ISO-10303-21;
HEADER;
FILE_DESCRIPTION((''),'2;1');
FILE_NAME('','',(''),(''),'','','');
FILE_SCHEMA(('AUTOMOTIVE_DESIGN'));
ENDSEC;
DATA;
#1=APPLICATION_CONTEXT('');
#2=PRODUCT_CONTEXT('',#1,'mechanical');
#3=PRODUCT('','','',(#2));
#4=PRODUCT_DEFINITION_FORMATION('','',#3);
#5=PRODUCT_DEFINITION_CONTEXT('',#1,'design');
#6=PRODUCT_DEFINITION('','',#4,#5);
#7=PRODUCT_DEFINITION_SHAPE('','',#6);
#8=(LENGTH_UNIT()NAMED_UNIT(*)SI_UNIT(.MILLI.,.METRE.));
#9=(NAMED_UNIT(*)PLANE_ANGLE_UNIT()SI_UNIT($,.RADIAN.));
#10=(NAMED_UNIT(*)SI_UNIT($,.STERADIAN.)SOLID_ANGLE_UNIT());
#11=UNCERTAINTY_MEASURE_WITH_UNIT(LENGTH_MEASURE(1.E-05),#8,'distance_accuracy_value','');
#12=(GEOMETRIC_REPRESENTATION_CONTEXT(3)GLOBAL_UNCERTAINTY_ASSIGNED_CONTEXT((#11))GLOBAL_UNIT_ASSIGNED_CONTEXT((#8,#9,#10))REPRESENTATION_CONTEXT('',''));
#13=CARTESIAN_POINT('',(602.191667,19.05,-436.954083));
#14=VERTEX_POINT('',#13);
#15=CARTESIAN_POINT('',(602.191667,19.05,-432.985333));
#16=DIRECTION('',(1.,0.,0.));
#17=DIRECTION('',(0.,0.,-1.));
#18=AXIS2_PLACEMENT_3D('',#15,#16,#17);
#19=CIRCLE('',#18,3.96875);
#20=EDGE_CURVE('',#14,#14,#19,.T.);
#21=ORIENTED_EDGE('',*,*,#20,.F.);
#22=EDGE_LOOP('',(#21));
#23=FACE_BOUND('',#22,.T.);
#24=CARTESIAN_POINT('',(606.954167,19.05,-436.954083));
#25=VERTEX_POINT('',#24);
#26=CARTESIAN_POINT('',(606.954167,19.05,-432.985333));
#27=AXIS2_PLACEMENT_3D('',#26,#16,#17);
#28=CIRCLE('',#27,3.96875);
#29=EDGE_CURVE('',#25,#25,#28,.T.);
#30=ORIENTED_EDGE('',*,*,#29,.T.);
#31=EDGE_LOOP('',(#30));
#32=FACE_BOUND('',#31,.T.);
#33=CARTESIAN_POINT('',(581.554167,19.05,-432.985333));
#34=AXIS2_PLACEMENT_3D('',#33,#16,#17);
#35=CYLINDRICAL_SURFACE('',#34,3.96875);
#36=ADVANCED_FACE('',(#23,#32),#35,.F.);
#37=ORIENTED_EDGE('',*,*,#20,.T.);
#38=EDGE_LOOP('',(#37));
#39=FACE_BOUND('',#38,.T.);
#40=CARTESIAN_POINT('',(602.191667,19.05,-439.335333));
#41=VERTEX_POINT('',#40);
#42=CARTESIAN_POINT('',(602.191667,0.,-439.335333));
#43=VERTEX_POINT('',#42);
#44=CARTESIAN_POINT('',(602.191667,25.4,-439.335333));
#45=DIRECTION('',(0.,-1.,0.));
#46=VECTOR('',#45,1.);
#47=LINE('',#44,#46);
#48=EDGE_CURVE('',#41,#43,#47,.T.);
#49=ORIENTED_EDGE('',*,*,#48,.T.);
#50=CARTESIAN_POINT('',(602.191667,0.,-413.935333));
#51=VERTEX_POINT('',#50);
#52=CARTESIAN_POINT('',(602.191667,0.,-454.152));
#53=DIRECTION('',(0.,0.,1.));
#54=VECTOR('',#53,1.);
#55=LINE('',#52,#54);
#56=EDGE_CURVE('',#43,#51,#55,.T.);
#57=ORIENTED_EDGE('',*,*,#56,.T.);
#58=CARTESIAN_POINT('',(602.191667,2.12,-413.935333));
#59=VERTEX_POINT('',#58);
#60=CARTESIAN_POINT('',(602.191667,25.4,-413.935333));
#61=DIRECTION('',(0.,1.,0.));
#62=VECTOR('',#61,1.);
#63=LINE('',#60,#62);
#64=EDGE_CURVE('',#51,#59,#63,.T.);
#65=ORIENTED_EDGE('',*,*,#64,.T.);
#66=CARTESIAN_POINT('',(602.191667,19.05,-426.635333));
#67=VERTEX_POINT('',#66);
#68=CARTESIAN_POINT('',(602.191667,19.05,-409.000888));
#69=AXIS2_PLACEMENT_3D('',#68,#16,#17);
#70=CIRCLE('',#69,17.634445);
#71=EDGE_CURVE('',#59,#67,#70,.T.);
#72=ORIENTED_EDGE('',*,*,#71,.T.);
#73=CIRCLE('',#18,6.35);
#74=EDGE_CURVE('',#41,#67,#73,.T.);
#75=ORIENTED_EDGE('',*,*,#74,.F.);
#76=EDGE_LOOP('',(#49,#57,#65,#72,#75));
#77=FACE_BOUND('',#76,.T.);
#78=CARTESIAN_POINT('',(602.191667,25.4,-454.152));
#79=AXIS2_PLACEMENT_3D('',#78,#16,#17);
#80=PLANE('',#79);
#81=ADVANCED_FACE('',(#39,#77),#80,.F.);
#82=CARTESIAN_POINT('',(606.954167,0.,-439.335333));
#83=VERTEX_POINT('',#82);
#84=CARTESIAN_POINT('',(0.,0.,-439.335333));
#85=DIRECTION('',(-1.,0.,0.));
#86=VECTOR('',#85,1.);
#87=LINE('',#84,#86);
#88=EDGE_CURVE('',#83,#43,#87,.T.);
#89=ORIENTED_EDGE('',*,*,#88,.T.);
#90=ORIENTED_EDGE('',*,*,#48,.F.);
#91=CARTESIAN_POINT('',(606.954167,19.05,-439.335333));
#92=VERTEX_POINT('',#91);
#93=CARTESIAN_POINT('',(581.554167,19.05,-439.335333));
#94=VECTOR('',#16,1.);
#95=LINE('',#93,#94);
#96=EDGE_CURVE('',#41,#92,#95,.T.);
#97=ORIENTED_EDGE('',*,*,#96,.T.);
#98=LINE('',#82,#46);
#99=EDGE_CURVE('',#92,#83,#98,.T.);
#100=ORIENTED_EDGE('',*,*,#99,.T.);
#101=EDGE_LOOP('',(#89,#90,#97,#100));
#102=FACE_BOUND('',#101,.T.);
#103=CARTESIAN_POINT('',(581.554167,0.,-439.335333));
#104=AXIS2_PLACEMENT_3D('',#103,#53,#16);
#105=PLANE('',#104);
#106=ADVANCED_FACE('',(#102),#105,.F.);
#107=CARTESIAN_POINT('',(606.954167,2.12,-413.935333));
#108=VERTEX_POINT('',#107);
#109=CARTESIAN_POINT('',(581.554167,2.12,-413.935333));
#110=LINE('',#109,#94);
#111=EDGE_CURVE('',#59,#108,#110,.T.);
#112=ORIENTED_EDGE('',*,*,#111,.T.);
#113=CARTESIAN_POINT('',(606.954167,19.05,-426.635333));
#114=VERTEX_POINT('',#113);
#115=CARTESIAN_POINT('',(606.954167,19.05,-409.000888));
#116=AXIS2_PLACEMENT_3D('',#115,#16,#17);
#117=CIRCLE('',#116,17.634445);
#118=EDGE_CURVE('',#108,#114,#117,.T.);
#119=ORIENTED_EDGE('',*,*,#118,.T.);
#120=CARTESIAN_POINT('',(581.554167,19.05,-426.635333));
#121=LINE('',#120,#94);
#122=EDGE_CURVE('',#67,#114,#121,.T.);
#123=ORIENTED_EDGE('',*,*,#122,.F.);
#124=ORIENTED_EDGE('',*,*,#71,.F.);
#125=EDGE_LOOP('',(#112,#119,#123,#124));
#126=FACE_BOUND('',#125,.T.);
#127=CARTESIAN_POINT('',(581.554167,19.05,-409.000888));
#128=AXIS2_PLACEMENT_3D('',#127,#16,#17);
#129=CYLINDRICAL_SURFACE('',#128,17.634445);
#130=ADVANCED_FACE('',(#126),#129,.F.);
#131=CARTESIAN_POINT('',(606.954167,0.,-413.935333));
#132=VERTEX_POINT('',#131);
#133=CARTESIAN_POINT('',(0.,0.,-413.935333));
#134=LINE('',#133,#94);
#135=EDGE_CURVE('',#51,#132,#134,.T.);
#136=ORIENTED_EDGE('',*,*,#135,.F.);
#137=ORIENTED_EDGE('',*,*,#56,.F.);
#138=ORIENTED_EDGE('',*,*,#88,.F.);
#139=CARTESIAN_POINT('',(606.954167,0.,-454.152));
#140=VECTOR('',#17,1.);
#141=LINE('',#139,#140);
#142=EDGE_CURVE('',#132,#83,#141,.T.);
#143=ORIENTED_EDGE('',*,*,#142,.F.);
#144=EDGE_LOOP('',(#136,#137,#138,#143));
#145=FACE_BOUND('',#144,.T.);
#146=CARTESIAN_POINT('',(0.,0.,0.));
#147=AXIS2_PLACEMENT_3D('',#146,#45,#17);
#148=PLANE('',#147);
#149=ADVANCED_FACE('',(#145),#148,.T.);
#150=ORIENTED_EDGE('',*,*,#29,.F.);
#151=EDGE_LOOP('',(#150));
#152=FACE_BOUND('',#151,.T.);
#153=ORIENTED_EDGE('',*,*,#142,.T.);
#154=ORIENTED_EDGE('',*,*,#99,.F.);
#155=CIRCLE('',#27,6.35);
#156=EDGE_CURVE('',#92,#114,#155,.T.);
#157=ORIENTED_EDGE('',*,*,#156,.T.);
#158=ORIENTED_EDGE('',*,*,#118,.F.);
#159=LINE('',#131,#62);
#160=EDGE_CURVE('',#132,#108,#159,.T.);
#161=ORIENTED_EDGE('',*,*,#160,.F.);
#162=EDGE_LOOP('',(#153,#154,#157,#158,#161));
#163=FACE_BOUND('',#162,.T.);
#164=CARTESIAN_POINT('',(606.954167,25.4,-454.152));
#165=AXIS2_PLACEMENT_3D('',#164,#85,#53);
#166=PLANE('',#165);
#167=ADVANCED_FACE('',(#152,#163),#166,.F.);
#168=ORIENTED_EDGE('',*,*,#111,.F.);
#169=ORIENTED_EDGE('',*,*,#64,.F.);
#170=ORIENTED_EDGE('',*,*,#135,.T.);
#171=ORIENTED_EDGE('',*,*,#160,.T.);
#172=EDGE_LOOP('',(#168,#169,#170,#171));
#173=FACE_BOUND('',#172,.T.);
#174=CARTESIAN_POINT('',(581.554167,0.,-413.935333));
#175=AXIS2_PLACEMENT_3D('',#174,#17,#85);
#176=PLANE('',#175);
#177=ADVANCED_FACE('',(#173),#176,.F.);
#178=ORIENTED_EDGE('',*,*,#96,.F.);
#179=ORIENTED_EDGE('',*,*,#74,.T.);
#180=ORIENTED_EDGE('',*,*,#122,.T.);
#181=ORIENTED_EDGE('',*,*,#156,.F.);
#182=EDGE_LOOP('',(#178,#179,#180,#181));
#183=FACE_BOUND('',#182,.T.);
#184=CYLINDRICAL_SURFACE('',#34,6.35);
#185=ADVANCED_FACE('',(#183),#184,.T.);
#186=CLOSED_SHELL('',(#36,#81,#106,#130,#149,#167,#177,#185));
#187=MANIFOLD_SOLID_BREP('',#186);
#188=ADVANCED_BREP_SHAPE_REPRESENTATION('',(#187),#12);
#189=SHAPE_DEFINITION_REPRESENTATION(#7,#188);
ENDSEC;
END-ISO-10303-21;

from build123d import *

# Parameters (mm, degrees)
CROQUIS1_W              = 4.7625
CROQUIS1_H              = 42.333333333
SALIENTE_EXTRUIR1_DEPTH = 25.4
CROQUIS2_R              = 3.96875
CORTAR_EXTRUIR1_DEPTH   = 25.4


with BuildPart() as part:
    # Croquis1 → Saliente-Extruir1 (new body)
    with BuildSketch(Plane(origin=(0, 0, 0), x_dir=(1, 0, 0), z_dir=(0, 1, 0))):
        with Locations((604.572916667, 432.985333334)):
            Rectangle(CROQUIS1_W, CROQUIS1_H)
    extrude(amount=SALIENTE_EXTRUIR1_DEPTH)

    # Croquis2 → Cortar-Extruir1 (cut)
    with BuildSketch(Plane(origin=(606.954166667, 0, 0), x_dir=(0, 0, -1), z_dir=(1, 0, 0))):
        with BuildLine():
            ThreePointArc((426.635333333, 19.05), (428.495205273, 23.540128061), (432.985333333, 25.4))
            Line((432.985333333, 25.4), (411.818666667, 25.4))
            Line((411.818666667, 25.4), (411.818666667, 0))
            Line((411.818666667, 0), (413.935333333, 0))
            Line((413.935333333, 0), (413.935333333, 2.12))
            ThreePointArc((413.935333333, 2.12), (423.10744442, 8.467999953), (426.635333333, 19.05))
        make_face()
        with BuildLine():
            ThreePointArc((432.985333333, 25.4), (437.475461394, 23.540128061), (439.335333333, 19.05))
            Line((439.335333333, 19.05), (439.335333333, 0))
            Line((439.335333333, 0), (454.152, 0))
            Line((454.152, 0), (454.152, 25.4))
            Line((454.152, 25.4), (432.985333333, 25.4))
        make_face()
        with Locations((432.985333333, 19.05)):
            Circle(CROQUIS2_R)
    extrude(amount=-CORTAR_EXTRUIR1_DEPTH, mode=Mode.SUBTRACT)


solid = part.part
